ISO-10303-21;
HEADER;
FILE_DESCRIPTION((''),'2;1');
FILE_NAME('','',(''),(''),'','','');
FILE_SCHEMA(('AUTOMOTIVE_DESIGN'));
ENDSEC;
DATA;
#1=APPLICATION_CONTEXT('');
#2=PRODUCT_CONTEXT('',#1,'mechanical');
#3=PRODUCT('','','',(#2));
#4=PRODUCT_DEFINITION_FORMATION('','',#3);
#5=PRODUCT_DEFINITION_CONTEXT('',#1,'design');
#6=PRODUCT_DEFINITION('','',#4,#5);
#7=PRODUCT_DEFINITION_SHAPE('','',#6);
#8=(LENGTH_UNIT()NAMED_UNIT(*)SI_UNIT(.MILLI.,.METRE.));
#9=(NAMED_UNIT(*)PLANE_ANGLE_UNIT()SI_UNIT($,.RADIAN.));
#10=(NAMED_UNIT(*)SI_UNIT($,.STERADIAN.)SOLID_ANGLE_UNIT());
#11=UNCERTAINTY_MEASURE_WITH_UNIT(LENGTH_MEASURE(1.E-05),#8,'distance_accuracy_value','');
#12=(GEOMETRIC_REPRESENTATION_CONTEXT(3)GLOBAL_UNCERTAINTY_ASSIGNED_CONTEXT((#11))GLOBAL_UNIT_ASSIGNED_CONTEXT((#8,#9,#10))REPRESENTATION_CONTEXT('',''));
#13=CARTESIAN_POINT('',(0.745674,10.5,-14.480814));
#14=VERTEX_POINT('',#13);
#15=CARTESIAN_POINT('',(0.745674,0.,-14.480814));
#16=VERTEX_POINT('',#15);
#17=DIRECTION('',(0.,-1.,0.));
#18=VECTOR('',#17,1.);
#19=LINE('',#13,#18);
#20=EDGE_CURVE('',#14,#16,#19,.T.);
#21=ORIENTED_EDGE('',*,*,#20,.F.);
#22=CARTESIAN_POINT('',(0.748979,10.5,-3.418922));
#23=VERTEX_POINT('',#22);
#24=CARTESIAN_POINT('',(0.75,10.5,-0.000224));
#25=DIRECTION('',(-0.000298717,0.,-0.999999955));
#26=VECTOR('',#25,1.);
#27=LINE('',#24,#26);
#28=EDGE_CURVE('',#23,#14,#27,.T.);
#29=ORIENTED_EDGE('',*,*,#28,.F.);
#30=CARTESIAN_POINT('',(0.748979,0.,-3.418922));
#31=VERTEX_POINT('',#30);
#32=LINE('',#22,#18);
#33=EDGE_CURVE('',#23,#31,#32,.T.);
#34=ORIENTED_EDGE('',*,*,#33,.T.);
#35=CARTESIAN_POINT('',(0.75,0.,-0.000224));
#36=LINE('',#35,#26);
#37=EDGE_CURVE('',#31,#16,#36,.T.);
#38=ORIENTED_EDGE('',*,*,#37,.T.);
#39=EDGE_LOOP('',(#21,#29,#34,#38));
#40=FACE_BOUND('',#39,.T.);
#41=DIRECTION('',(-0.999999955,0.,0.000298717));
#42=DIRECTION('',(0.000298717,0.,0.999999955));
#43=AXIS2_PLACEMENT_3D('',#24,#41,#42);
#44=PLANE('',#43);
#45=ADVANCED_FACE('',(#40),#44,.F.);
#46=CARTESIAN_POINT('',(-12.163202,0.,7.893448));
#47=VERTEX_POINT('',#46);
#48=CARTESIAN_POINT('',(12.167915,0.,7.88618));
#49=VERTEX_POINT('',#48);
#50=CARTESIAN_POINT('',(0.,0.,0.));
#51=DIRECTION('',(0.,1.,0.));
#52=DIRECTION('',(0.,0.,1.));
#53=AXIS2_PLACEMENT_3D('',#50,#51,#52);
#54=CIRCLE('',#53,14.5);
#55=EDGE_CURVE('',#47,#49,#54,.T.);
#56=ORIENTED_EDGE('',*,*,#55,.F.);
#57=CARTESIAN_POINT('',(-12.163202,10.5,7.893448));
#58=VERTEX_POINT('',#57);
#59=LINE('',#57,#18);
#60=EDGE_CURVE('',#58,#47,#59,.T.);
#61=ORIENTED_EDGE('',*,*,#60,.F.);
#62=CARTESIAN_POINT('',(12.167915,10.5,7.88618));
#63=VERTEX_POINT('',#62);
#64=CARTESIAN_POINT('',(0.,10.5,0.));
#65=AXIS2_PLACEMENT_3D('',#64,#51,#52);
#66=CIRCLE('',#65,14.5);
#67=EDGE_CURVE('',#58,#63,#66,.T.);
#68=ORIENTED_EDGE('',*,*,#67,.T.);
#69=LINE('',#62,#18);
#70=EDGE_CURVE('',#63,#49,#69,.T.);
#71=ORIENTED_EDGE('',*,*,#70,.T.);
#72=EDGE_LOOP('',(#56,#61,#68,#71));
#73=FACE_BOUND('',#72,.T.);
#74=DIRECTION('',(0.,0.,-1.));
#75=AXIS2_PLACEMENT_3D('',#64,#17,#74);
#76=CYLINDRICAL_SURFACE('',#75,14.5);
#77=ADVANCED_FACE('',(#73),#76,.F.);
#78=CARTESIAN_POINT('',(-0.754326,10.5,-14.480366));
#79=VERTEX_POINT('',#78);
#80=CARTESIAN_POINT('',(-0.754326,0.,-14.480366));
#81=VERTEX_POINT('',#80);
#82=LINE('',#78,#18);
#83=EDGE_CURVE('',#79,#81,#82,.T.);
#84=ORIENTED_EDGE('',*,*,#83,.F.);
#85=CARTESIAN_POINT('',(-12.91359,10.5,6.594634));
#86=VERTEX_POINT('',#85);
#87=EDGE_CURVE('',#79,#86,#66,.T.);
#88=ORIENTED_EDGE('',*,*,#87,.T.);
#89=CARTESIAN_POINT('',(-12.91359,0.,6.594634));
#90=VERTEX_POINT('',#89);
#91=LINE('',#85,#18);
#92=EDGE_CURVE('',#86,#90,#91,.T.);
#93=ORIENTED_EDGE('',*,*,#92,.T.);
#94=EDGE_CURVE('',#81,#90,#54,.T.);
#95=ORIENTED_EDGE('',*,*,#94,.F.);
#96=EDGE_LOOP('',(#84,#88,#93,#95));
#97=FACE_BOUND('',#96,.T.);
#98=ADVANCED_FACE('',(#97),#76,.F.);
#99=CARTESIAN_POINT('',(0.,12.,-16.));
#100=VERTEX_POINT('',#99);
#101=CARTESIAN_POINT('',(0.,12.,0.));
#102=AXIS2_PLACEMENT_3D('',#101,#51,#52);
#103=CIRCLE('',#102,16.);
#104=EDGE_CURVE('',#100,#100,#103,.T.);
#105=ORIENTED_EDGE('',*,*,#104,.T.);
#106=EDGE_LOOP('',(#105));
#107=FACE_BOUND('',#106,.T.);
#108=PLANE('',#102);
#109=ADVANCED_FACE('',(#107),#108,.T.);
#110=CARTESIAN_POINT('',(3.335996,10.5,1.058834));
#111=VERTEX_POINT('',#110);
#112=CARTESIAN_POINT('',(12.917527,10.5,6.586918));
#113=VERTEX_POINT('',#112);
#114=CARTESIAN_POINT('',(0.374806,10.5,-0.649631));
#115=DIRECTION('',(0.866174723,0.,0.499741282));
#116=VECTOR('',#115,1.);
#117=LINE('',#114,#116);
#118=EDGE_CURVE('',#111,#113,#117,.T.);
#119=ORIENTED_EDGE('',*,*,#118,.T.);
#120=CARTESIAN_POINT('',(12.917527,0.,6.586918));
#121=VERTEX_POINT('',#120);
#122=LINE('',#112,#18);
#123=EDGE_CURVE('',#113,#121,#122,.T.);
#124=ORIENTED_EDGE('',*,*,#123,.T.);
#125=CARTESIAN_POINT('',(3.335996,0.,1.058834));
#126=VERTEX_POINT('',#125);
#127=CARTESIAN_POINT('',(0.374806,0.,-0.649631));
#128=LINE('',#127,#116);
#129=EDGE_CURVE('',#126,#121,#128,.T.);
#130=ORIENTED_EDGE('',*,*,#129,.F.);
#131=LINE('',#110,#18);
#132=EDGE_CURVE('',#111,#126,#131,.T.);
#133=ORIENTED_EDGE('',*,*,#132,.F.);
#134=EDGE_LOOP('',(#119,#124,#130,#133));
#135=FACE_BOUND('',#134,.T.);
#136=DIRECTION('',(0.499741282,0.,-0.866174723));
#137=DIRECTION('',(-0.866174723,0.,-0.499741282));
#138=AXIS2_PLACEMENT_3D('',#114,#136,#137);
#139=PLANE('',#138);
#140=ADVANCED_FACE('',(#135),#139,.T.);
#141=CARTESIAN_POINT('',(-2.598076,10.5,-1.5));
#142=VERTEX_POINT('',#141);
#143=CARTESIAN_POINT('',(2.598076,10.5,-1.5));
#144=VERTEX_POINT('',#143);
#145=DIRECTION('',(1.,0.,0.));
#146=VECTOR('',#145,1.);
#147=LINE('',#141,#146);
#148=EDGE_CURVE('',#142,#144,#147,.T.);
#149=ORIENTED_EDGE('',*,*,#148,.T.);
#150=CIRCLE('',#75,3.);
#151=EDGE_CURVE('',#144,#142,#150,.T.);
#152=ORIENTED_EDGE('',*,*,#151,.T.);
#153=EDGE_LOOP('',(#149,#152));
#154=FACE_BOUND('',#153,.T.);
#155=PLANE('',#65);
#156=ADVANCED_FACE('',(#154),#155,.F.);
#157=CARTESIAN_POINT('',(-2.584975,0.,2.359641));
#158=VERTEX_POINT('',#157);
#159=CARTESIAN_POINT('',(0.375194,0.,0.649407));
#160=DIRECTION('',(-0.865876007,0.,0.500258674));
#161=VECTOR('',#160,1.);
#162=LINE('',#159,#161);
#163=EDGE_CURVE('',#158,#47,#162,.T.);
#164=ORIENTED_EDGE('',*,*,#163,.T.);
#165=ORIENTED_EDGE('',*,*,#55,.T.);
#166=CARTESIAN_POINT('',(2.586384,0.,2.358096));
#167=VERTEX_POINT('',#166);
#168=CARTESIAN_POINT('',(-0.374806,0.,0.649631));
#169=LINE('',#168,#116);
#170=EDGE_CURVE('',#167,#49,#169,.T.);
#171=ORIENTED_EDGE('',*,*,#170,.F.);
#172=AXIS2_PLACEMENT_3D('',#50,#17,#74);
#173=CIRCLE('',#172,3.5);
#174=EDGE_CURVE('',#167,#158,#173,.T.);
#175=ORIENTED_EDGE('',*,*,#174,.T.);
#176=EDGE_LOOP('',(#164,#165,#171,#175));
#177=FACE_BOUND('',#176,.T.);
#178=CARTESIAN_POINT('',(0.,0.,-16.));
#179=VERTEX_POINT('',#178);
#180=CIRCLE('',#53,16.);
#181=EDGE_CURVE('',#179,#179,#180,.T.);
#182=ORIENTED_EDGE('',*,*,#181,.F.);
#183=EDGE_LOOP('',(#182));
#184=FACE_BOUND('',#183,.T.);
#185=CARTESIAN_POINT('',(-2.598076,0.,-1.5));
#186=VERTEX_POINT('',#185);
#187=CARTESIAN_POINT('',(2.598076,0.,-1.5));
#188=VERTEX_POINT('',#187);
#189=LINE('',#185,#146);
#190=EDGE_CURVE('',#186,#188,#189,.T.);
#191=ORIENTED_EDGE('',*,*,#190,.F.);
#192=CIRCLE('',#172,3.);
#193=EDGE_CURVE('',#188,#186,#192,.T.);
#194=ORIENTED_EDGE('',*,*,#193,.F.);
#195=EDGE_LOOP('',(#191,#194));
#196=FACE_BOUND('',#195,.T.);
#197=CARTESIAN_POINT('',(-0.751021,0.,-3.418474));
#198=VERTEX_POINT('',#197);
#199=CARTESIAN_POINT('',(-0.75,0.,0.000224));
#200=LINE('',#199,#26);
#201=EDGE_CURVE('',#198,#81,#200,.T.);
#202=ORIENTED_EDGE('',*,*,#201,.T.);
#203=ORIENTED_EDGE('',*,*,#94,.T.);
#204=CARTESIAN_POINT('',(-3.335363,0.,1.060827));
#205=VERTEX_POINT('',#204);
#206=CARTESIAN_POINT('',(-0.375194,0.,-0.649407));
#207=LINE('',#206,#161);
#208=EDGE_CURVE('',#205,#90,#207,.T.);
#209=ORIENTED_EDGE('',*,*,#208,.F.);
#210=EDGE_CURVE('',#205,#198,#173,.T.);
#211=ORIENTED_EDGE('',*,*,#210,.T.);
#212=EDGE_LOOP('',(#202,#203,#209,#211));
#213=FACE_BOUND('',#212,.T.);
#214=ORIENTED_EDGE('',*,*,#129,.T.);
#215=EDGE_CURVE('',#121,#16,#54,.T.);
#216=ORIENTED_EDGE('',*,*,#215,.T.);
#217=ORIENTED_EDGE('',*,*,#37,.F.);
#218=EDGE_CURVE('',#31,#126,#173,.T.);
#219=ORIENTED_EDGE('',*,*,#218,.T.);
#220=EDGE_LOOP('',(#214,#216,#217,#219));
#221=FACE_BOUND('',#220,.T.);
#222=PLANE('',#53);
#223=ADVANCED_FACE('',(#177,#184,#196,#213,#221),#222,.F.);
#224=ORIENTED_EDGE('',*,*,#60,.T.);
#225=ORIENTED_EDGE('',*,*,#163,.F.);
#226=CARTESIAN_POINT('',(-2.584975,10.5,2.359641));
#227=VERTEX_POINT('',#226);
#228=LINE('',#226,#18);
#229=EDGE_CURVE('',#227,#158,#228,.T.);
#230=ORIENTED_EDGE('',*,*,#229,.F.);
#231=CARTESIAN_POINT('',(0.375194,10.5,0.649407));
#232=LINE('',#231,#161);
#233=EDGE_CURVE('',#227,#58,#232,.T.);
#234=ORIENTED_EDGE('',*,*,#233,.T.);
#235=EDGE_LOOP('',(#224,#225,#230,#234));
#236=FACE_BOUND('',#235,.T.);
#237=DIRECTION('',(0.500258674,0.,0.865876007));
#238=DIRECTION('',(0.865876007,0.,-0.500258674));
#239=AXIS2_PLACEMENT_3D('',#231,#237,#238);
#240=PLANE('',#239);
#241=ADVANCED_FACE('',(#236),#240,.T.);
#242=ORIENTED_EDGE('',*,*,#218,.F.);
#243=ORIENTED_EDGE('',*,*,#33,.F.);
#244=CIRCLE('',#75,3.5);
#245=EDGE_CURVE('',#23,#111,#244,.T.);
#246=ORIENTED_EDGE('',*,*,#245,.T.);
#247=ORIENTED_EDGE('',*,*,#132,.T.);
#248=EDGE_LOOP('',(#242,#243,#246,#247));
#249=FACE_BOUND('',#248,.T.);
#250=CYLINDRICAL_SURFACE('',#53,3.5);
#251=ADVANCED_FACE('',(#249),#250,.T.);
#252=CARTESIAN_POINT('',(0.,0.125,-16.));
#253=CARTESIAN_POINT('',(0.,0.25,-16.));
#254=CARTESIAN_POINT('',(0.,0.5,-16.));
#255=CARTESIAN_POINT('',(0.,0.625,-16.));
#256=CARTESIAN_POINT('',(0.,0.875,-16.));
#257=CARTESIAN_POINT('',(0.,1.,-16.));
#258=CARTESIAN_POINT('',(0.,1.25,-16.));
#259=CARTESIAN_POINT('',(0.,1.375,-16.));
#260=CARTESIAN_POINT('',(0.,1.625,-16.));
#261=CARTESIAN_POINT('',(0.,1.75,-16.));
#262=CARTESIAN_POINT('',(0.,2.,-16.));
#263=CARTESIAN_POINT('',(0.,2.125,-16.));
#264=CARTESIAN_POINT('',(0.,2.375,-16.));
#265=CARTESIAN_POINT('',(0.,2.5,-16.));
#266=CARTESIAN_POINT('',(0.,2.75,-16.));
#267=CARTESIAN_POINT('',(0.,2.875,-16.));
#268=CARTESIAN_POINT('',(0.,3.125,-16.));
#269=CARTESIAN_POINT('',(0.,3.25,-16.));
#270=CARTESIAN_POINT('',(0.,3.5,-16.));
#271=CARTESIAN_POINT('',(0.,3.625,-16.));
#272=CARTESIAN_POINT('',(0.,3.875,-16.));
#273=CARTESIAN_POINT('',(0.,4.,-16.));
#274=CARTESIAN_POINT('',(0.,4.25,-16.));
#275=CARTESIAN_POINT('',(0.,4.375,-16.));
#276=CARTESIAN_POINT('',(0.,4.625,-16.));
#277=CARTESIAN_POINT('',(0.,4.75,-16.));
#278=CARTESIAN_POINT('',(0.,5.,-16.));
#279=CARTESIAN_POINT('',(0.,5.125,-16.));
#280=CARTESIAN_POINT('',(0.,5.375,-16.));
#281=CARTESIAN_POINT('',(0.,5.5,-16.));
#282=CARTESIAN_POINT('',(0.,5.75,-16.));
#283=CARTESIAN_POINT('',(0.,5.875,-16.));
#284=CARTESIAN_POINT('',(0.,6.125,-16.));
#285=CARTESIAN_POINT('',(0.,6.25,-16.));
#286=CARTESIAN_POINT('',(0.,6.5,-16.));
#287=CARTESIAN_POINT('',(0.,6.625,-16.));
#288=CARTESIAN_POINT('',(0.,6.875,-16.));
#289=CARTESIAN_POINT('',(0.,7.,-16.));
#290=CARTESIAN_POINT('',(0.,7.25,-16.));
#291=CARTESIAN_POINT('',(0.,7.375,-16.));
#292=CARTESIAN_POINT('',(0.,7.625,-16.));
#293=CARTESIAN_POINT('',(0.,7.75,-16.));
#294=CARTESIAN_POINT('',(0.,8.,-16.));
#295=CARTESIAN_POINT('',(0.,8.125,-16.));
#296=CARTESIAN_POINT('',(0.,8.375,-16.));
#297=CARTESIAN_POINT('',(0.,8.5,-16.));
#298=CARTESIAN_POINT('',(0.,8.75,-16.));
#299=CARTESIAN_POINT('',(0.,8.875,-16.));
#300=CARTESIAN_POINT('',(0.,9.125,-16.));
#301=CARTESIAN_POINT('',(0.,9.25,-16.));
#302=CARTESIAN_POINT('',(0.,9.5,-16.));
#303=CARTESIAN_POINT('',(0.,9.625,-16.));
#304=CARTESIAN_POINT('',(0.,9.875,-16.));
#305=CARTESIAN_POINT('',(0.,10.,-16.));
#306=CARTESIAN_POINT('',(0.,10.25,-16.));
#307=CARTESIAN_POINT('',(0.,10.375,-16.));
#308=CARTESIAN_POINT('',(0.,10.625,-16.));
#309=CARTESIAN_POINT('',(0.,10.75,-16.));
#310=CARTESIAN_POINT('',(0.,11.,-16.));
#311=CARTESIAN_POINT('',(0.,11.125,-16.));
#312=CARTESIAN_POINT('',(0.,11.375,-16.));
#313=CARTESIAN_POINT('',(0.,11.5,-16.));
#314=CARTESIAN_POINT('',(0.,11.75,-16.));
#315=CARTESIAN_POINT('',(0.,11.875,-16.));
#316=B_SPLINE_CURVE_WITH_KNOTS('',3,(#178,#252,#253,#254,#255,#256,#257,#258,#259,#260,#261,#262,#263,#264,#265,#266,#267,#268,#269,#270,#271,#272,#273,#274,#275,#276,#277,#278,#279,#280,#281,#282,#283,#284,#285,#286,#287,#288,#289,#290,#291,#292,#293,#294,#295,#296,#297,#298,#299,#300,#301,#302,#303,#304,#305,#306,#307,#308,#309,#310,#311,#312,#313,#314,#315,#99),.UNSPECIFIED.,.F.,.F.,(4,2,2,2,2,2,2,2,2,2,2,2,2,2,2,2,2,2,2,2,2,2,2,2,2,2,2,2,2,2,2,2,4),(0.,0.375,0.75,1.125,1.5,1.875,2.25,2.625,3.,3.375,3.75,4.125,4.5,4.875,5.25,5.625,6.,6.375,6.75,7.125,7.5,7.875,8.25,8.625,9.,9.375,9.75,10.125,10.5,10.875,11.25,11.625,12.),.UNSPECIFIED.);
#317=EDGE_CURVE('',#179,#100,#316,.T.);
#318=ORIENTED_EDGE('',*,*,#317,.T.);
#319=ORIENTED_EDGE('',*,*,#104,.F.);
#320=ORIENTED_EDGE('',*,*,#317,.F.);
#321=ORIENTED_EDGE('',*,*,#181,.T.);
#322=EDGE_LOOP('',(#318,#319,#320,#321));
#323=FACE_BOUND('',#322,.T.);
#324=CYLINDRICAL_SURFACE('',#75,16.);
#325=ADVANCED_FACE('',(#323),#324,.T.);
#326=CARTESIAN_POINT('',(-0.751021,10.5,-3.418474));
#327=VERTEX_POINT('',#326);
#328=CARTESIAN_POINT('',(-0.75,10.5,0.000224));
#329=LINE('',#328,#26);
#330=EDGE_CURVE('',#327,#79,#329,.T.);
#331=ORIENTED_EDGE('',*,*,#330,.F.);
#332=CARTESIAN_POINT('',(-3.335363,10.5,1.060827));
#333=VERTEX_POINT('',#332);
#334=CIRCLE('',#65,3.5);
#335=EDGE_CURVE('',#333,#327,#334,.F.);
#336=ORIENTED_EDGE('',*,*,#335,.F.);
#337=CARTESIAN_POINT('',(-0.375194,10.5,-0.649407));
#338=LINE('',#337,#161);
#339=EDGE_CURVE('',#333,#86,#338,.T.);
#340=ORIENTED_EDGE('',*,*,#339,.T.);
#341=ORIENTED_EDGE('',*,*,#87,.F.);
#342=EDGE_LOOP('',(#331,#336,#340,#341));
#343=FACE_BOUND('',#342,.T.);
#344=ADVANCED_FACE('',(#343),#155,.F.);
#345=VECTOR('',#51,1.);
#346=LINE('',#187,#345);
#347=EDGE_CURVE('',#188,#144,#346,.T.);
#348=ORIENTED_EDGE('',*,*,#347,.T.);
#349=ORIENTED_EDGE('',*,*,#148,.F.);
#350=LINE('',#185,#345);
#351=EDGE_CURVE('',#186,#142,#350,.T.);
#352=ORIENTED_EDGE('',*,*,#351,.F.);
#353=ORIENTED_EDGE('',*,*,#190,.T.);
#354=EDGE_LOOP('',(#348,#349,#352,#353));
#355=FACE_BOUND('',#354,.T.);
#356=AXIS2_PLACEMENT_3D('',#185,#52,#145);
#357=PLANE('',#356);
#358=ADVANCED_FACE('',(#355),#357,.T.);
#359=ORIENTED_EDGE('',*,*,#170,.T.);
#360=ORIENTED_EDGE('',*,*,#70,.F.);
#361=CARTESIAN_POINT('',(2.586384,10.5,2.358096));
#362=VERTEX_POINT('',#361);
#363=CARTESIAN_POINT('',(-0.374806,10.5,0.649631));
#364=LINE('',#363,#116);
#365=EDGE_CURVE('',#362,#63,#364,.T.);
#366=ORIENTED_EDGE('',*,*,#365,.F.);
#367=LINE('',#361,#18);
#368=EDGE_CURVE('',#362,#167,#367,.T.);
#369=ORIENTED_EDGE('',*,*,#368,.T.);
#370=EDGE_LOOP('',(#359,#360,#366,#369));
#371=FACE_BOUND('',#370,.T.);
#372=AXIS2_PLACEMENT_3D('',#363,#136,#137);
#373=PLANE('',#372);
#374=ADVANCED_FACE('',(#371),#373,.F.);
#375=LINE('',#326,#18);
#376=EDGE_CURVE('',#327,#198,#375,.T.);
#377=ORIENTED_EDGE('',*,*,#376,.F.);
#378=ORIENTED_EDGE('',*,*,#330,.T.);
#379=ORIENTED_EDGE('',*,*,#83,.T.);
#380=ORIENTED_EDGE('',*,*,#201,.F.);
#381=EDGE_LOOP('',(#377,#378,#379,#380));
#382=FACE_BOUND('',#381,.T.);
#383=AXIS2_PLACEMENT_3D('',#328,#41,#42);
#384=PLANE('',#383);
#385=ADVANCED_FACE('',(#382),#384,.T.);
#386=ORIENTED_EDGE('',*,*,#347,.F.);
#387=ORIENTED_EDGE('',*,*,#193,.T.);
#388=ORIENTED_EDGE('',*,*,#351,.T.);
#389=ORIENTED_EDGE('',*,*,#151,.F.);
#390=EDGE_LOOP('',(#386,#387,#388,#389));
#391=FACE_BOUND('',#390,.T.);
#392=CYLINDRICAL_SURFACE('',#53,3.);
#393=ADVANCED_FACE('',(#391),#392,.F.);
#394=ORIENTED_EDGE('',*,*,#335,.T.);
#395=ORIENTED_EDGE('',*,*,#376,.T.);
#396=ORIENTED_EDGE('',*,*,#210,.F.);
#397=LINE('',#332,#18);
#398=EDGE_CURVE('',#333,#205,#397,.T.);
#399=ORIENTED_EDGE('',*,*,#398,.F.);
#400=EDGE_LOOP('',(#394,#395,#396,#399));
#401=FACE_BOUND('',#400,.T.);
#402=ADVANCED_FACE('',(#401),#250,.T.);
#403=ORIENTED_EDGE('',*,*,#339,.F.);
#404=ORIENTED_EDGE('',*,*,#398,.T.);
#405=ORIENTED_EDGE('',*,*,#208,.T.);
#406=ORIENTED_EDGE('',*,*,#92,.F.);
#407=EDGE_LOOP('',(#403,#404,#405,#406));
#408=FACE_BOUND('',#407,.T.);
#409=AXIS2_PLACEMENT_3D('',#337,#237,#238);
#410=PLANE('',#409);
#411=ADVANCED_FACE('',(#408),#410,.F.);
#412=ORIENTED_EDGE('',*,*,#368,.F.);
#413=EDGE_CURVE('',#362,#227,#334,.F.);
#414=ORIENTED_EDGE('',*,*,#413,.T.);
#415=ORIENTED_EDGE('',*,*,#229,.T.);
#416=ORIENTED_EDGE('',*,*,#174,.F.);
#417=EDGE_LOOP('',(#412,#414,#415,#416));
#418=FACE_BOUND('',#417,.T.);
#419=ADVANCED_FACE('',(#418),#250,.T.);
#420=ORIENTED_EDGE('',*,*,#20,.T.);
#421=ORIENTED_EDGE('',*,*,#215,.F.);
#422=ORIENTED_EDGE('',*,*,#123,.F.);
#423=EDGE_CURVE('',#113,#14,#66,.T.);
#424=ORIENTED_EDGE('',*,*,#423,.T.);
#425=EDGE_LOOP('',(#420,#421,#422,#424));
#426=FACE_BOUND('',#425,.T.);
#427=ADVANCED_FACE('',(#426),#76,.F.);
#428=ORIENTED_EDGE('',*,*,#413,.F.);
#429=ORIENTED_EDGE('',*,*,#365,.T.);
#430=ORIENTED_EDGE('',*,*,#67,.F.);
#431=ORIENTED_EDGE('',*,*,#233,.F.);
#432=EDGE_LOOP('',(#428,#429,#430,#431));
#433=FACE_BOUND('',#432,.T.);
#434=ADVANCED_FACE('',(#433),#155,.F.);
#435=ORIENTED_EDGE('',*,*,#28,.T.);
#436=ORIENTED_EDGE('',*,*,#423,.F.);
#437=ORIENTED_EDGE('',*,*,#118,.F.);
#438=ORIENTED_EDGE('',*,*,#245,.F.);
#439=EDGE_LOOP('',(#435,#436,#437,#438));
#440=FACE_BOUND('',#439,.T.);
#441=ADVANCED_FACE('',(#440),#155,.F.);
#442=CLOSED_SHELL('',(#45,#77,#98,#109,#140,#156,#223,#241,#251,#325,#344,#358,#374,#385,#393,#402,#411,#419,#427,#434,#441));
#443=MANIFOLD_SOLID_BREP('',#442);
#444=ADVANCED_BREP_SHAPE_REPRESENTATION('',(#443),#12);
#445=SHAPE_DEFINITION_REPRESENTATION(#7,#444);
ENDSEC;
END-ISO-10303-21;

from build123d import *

# Parameters (mm, degrees)
SKETCH1_R           = 16
BOSS_EXTRUDE1_DEPTH = 10.5
SKETCH2_R           = 16
BOSS_EXTRUDE2_DEPTH = 1.5
BOSS_EXTRUDE3_START = 10.5
SKETCH3_R           = 3.5
BOSS_EXTRUDE3_DEPTH = 10.5


with BuildPart() as part:
    # Sketch1 → Boss-Extrude1 (new body)
    with BuildSketch(Plane(origin=(0, 0, 0), x_dir=(1, 0, 0), z_dir=(0, 1, 0))):
        with Locations(Location((0, 0, 0), (0, 0, 90))):
            Circle(SKETCH1_R)
        with BuildLine():
            Line((-0.754325558, 14.480365774), (-0.751021188, 3.418474393))
            ThreePointArc((-0.751021188, 3.418474393), (-0.001045508, 3.499999844), (0.748978745, 3.418922468))
            Line((0.748978745, 3.418922468), (0.745674375, 14.480813849))
            ThreePointArc((0.745674375, 14.480813849), (12.5552021, 7.25375077), (12.917527395, -6.586917791))
            Line((12.917527395, -6.586917791), (3.335996261, -1.058833769))
            ThreePointArc((3.335996261, -1.058833769), (3.031611532, -1.749094486), (2.586384338, -2.358095854))
            Line((2.586384338, -2.358095854), (12.167915473, -7.886179876))
            ThreePointArc((12.167915473, -7.886179876), (0.004331389, -14.499999353), (-12.163201838, -7.893447983))
            Line((-12.163201838, -7.893447983), (-2.584975072, -2.359640624))
            ThreePointArc((-2.584975072, -2.359640624), (-3.030566024, -1.750905358), (-3.335363083, -1.060826614))
            Line((-3.335363083, -1.060826614), (-12.913589848, -6.594633973))
            ThreePointArc((-12.913589848, -6.594633973), (-12.559533489, 7.246248583), (-0.754325558, 14.480365774))
        make_face(mode=Mode.SUBTRACT)
    extrude(amount=BOSS_EXTRUDE1_DEPTH)

    # Sketch2 → Boss-Extrude2 (add)
    with BuildSketch(Plane(origin=(0, 10.5, 0), x_dir=(1, 0, 0), z_dir=(0, 1, 0))):
        with Locations(Location((0, 0, 0), (0, 0, 90))):
            Circle(SKETCH2_R)
    extrude(amount=BOSS_EXTRUDE2_DEPTH)

    # Sketch3 → Boss-Extrude3 (add)
    with BuildSketch(Plane.XZ.offset(-10.5).offset(BOSS_EXTRUDE3_START)):
        Circle(SKETCH3_R)
        with BuildLine():
            Line((-2.598076211, -1.5), (2.598076211, -1.5))
            ThreePointArc((2.598076211, -1.5), (0, 3), (-2.598076211, -1.5))
        make_face(mode=Mode.SUBTRACT)
    extrude(amount=-BOSS_EXTRUDE3_DEPTH)


solid = part.part
